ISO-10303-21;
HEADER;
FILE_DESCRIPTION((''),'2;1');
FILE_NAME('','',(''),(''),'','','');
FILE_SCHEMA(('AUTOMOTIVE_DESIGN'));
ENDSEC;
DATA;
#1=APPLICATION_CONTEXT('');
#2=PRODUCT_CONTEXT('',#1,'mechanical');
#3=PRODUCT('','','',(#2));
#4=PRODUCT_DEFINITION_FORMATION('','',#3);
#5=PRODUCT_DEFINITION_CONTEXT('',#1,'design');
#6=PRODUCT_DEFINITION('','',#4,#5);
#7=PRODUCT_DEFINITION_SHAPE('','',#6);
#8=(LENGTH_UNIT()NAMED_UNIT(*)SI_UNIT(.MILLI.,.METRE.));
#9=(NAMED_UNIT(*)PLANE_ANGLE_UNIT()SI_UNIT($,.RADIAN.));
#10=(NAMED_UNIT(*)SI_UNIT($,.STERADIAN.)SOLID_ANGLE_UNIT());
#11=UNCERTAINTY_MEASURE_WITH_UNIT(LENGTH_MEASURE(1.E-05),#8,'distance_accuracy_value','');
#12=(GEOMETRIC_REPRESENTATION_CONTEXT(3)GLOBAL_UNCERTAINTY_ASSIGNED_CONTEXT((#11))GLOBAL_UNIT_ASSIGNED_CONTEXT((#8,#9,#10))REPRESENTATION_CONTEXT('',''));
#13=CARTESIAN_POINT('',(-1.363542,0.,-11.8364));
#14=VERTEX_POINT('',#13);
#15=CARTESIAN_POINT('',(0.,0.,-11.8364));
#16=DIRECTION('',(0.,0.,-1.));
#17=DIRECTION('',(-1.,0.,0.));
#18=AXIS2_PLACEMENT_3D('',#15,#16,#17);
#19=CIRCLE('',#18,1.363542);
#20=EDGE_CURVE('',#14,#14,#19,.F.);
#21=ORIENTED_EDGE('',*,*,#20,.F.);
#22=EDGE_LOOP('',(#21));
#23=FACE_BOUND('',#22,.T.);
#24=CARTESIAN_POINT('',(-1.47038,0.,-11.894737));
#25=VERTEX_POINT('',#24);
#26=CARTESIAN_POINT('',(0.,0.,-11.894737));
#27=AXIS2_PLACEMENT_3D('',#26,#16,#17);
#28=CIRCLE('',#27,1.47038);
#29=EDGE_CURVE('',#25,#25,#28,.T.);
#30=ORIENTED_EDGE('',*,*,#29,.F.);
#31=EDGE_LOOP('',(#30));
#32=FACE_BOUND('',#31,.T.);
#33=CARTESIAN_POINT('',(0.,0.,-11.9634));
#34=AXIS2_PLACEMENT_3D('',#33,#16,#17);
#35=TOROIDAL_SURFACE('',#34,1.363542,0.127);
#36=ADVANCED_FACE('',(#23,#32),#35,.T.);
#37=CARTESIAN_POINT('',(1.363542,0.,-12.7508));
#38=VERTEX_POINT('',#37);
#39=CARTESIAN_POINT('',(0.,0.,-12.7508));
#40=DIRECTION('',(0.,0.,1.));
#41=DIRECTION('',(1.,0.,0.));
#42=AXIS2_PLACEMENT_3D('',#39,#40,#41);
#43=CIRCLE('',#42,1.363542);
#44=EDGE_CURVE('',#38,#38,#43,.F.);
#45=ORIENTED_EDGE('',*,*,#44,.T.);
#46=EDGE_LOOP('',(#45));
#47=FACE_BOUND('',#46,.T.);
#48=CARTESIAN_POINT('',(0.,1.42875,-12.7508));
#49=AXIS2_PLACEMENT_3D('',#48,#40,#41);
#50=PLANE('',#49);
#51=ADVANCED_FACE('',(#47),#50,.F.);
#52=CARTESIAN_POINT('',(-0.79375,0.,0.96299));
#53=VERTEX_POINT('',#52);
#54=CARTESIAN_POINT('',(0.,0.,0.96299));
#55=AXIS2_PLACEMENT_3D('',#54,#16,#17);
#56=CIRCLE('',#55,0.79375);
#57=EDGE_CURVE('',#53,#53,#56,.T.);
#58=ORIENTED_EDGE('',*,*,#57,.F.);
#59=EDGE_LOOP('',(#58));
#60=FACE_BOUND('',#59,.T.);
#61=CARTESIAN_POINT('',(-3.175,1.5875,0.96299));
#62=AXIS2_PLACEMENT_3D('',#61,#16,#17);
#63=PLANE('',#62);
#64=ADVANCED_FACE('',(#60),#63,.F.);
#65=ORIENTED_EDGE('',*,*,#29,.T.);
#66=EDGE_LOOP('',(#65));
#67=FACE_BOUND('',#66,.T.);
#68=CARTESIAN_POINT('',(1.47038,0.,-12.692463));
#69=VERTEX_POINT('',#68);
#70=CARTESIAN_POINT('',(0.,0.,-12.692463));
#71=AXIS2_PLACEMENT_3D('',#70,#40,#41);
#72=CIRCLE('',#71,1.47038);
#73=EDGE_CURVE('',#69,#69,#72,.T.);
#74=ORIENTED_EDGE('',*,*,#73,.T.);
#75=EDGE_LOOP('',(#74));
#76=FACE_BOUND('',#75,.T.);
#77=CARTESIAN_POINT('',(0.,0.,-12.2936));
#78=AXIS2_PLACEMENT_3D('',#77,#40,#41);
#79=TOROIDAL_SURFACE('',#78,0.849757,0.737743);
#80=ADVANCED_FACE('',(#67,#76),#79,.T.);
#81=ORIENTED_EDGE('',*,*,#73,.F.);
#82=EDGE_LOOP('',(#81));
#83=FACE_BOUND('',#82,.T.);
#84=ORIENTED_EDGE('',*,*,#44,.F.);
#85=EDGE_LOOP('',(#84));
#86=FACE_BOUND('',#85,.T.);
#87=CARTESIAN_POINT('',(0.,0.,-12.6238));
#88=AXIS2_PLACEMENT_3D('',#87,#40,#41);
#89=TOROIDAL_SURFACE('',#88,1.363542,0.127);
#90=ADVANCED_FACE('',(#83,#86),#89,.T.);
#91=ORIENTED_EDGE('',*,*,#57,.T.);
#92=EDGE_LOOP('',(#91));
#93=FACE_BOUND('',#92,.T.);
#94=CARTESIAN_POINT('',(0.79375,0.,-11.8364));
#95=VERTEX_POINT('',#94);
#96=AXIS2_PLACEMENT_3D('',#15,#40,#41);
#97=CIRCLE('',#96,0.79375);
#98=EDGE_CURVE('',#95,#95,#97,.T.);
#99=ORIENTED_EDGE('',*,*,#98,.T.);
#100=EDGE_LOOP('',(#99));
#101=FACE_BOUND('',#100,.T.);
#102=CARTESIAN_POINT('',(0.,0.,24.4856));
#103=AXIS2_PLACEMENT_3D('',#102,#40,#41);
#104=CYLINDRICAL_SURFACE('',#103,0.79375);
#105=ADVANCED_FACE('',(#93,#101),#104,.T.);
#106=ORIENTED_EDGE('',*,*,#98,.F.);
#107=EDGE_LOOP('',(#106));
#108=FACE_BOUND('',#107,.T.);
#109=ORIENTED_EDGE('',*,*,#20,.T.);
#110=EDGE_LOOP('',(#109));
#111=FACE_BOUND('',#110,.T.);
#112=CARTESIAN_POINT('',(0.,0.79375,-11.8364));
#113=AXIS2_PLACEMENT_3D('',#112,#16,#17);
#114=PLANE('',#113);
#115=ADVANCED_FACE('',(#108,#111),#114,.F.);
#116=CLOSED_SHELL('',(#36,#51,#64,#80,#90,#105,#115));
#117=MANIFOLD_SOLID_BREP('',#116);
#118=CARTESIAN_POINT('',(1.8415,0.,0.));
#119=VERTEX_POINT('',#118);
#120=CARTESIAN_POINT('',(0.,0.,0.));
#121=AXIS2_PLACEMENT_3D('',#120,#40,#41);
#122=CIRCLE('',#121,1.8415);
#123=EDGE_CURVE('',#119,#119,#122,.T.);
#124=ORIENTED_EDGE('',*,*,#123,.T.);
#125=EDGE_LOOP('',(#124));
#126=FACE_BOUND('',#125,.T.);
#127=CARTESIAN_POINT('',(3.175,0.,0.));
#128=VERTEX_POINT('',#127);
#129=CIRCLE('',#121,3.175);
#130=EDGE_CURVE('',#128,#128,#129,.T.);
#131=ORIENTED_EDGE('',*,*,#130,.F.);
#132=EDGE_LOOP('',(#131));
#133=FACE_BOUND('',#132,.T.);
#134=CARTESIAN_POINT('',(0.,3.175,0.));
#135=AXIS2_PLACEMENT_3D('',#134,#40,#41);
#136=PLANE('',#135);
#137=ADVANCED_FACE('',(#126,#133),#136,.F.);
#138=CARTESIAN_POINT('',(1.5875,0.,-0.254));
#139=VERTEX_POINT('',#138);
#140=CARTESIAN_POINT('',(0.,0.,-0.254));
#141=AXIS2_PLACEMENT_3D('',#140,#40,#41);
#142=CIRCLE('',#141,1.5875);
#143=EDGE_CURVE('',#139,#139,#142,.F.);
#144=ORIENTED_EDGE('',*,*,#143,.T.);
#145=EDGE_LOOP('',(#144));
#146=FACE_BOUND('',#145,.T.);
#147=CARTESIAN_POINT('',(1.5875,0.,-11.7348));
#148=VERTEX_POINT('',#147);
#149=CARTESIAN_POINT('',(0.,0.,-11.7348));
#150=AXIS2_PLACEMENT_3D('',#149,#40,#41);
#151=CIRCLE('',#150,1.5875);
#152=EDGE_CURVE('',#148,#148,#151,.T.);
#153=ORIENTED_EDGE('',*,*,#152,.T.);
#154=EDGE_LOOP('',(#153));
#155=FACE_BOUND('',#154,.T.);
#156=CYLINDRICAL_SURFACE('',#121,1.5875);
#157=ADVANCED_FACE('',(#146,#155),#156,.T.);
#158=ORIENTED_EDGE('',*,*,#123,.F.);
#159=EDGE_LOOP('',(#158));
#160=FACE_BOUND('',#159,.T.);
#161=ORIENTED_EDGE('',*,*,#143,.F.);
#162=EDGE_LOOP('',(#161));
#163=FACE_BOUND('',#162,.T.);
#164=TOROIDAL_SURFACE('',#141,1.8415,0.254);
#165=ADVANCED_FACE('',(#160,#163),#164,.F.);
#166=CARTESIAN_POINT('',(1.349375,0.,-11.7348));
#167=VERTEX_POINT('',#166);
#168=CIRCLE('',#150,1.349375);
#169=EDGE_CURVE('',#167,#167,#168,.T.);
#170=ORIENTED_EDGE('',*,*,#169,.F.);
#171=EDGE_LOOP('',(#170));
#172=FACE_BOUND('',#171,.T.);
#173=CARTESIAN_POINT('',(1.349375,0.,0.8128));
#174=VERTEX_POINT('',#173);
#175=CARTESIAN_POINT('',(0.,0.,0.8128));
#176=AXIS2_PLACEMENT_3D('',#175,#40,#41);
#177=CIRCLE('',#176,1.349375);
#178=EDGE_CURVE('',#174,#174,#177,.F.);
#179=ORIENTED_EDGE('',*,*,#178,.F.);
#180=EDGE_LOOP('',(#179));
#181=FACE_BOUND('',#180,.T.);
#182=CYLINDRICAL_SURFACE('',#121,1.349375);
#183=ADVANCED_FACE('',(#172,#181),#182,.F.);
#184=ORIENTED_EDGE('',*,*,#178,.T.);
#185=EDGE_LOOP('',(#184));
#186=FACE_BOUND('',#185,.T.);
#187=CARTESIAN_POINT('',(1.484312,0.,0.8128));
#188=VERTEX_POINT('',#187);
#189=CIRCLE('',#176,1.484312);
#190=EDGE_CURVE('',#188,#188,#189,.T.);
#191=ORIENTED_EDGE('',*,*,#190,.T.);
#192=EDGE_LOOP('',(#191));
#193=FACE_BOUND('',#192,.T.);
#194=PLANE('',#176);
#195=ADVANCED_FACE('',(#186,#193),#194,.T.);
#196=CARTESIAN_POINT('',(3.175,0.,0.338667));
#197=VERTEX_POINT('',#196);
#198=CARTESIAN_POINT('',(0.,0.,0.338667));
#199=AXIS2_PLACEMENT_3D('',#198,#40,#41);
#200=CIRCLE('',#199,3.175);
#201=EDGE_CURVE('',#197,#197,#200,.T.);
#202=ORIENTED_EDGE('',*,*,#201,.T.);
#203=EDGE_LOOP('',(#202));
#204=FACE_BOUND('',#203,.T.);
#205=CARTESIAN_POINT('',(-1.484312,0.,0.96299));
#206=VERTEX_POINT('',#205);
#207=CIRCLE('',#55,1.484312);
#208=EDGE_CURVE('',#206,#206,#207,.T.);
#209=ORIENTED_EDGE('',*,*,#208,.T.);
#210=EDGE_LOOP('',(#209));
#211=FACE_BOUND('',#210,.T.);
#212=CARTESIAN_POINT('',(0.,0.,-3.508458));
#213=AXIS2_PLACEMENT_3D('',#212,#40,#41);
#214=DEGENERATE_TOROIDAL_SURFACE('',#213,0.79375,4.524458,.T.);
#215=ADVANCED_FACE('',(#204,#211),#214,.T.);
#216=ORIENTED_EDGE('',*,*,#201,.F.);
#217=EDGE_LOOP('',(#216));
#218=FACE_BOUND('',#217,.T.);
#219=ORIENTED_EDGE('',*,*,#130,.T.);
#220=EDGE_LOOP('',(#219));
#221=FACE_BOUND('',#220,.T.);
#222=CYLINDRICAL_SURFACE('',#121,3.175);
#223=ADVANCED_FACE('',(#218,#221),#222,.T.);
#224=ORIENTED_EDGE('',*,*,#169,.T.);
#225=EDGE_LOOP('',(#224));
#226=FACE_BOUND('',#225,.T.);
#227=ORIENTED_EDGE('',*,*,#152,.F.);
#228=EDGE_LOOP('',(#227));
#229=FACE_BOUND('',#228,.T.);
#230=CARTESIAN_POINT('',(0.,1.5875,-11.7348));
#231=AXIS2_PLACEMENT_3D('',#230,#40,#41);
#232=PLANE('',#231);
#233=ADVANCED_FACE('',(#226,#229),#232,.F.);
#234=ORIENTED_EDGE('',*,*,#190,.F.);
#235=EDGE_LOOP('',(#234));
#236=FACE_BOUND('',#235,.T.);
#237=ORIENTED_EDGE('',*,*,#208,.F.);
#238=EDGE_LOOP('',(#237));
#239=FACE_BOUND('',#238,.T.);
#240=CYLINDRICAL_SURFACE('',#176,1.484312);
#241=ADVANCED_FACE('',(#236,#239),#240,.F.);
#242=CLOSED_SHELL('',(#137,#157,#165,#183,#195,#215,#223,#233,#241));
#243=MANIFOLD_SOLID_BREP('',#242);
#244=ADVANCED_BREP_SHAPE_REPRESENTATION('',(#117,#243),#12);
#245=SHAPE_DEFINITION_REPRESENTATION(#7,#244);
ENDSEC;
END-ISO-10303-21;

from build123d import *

# Parameters (mm, degrees)
FILLET3_R               = 0.127
SKETCH5_R               = 1.4843125
CUT_EXTRUDE2_DEPTH      = 0.2032
CUT_EXTRUDE1_DEPTH      = 25.893891994
CUT_EXTRUDE1_DEPTH_BACK = 25.893891994
FILLET2_R               = 0.254
CUT_EXTRUDE3_DEPTH      = 25.893891994
CUT_EXTRUDE3_DEPTH_BACK = 25.893891994
SKETCH6_W               = 23.522610405
SKETCH6_H               = 3.175


with BuildPart() as part:
    # Sketch2 → Revolve1 (revolve)
    with BuildSketch(Plane(origin=(0, 0, 0), x_dir=(0, 0, -1), z_dir=(1, 0, 0)), mode=Mode.PRIVATE) as revolve1_sk:
        with BuildLine():
            Line((-24.4856, 0), (-24.4856, 0.79375))
            Line((-24.4856, 0.79375), (-1.016, 0.79375))
            Line((-1.016, 0.79375), (11.8364, 0.79375))
            Line((11.8364, 0.79375), (11.8364, 1.42875))
            ThreePointArc((11.8364, 1.42875), (12.2936, 1.5875), (12.7508, 1.42875))
            Line((12.7508, 1.42875), (12.7508, 0))
            Line((12.7508, 0), (-24.4856, 0))
        make_face()
    revolve(revolve1_sk.sketch.rotate(Axis((0, 0, 24.4856), (0, 0, -1)), 90), axis=Axis((0, 0, 24.4856), (0, 0, -1)))

    # Fillet3
    fillet3_edges = [part.edges().sort_by_distance(p)[0] for p in [
        (-1.42875, 0, -11.8364),
        (-1.42875, 0, -12.7508),
    ]]
    fillet(fillet3_edges, radius=FILLET3_R)

    # Sketch3 → Cut-Extrude1 (cut, two sides: drawn at the far end of the back side and taken through both)
    with BuildSketch(Plane(origin=(0, 0, 0), x_dir=(1, 0, 0), z_dir=(0, 1, 0)).offset(-CUT_EXTRUDE1_DEPTH_BACK)):
        Polygon((0, -24.4856), (0.99695, -23.186349465), (0.99695, -24.9936), (-0.99695, -24.9936), (-0.99695, -23.186349465), align=None)
    extrude(amount=CUT_EXTRUDE1_DEPTH + CUT_EXTRUDE1_DEPTH_BACK, mode=Mode.SUBTRACT)

    # Sketch6 → Cut-Extrude3 (cut, two sides: drawn at the far end of the back side and taken through both)
    with BuildSketch(Plane(origin=(0, 0, 0), x_dir=(0, 0, -1), z_dir=(1, 0, 0)).offset(-CUT_EXTRUDE3_DEPTH_BACK)):
        with Locations((-12.724294798, 0)):
            Rectangle(SKETCH6_W, SKETCH6_H)
    extrude(amount=CUT_EXTRUDE3_DEPTH + CUT_EXTRUDE3_DEPTH_BACK, mode=Mode.SUBTRACT)


with BuildPart() as body_2:
    # Sketch4 → Revolve2 (revolve)
    with BuildSketch(Plane(origin=(0, 0, 0), x_dir=(0, 0, -1), z_dir=(1, 0, 0)), mode=Mode.PRIVATE) as revolve2_sk:
        with BuildLine():
            Line((-0.338666667, 3.175), (0, 3.175))
            Line((0, 3.175), (0, 1.5875))
            Line((0, 1.5875), (11.7348, 1.5875))
            Line((11.7348, 1.5875), (11.7348, 1.349375))
            Line((11.7348, 1.349375), (-0.981753691, 1.349375))
            ThreePointArc((-0.981753691, 1.349375), (-0.7589793, 2.296979497), (-0.338666667, 3.175))
        make_face()
    revolve(revolve2_sk.sketch.rotate(Axis((0, 0, 0), (0, 0, -1)), 90), axis=Axis((0, 0, 0), (0, 0, -1)))

    # Sketch5 → Cut-Extrude2 (cut)
    with BuildSketch(Plane.XY.offset(1.016)):
        Circle(SKETCH5_R)
    extrude(amount=-CUT_EXTRUDE2_DEPTH, mode=Mode.SUBTRACT)

    # Fillet2
    fillet2_edges = [body_2.edges().sort_by_distance(p)[0] for p in [
        (-1.5875, 0, 0),
    ]]
    fillet(fillet2_edges, radius=FILLET2_R)


solid = Compound([part.part, body_2.part])
